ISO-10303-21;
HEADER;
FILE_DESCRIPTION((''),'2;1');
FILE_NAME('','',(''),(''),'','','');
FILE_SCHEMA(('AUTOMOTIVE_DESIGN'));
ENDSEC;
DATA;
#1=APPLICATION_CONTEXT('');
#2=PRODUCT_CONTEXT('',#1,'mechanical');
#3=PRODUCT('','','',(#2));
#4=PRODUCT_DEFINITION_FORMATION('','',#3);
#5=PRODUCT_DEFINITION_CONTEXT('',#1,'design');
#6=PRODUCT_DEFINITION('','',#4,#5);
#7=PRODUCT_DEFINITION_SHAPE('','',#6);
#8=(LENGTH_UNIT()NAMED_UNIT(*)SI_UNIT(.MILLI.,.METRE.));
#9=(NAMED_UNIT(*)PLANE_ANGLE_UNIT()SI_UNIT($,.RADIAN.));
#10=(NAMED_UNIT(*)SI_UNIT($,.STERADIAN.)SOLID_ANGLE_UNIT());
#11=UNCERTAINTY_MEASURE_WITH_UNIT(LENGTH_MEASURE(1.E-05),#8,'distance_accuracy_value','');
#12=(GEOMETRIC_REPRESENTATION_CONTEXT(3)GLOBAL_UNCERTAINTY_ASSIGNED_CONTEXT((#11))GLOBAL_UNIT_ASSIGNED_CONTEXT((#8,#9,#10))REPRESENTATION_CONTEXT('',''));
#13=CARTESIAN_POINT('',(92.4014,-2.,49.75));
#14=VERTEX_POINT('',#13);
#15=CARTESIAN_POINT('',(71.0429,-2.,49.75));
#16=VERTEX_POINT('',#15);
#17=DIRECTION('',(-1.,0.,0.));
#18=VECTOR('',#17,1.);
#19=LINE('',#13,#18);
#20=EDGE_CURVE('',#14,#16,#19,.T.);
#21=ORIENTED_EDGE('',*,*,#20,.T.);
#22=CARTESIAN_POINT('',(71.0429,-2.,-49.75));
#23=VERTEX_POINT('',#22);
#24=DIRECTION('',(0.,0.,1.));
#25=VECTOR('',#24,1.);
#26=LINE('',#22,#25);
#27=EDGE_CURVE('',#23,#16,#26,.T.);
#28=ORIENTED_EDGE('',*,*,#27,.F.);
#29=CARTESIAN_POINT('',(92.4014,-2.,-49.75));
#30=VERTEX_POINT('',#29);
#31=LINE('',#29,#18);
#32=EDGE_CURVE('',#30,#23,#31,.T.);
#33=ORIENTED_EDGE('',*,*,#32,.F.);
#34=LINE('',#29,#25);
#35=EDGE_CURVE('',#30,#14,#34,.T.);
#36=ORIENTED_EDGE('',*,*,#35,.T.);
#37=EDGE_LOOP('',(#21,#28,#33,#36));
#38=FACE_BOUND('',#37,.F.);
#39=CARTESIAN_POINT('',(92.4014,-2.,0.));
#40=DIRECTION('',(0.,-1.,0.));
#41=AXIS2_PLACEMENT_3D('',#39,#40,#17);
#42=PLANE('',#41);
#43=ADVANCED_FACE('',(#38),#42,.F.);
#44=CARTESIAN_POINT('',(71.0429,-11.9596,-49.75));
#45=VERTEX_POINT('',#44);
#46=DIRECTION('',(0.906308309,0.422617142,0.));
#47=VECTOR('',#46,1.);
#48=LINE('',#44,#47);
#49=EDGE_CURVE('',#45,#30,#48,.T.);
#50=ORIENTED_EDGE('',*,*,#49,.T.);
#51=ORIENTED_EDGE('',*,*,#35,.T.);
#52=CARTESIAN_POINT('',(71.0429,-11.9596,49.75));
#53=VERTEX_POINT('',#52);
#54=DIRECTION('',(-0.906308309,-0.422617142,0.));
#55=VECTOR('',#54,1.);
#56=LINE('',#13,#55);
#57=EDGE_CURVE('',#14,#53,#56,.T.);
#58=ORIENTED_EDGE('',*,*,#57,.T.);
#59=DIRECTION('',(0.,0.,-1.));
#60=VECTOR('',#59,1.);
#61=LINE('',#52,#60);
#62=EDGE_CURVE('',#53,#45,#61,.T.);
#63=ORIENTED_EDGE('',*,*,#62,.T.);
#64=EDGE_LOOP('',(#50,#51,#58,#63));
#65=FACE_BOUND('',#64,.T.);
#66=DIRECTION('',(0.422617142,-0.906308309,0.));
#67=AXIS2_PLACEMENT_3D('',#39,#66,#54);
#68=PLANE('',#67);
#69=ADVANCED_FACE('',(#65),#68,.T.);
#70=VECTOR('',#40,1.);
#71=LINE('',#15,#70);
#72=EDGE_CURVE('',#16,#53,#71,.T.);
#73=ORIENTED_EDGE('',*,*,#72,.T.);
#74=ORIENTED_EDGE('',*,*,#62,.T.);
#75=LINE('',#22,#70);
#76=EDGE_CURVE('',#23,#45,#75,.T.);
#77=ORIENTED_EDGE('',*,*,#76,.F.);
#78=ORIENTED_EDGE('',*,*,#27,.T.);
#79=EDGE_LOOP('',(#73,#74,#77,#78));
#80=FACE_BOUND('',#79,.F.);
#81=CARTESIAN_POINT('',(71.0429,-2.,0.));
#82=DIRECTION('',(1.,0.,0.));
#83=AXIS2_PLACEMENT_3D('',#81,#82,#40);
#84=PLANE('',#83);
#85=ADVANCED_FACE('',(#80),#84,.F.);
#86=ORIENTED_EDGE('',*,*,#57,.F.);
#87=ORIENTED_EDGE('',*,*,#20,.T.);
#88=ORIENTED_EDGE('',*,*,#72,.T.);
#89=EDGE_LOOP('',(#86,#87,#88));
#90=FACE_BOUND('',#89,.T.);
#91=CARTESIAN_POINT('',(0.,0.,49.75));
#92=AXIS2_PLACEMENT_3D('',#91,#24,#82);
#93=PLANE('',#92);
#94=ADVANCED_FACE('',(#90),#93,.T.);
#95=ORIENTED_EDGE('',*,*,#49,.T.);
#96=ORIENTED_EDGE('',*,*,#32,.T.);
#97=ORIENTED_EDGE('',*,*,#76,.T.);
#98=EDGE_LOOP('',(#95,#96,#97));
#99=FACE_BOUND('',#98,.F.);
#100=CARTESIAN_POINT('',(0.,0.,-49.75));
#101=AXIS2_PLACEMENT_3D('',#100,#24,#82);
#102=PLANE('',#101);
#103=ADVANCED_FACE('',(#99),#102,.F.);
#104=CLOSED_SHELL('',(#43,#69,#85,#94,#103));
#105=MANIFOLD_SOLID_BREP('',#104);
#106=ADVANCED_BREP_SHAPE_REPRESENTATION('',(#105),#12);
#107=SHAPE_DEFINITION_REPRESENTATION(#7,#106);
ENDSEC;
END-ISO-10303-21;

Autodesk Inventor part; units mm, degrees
ref_plane "YZ Plane" through (0, 0, 0) normal (1, 0, 0) x (0, 1, 0)
ref_plane "XZ Plane" through (0, 0, 0) normal (0, 1, 0) x (-1, 0, 0)
ref_plane "XY Plane" through (0, 0, 0) normal (0, 0, 1) x (1, 0, 0)
ref_plane "Work Plane1" through (0, 0, 0) normal (0, 0, 1) x (1, 0, 0)
sketch "Sketch1" plane through (0, 0, 0) normal (0, 0, 1) x (1, 0, 0)
  line L0 (92.4014, -2) -> (71.0429, -11.9596) projected
  line L1 (71.0429, -11.9596) -> (72.3108, -14.6785) projected
  line L2 (72.3108, -14.6785) -> (99.5, -2) projected
  line L3 (99.5, -2) -> (92.4014, -2) projected
  line L4 (79.5612, -11.2976) -> (78.5047, -9.0318)
  line L5 (82.2802, -10.0297) -> (81.2236, -7.764)
  line L6 (81.4655, -7.0995) -> (81.2236, -7.764)
  line L7 (77.8402, -8.79) -> (78.5047, -9.0318)
  line L8 (92.4014, -2) -> (71.0429, -2)
  line L9 (71.0429, -2) -> (71.0429, -11.9596)
  line L10 (71.0429, -11.9596) -> (53.5429, -42.2705)
  line L11 (53.5429, -42.2705) -> (52.2439, -41.5205)
  line L12 (52.6769, -40.7705) -> (69.7439, -11.2096)
  line L13 (69.7439, -11.2096) -> (71.0429, -11.9596)
  line L14 (71.0429, -11.9596) -> (106.0429, -11.9596) construction
  line L15 (53.5429, -42.2705) -> (42.5429, -42.2705)
  line L16 (42.5429, -42.2705) -> (42.5429, -40.7705)
  line L17 (42.5429, -40.7705) -> (52.6769, -40.7705)
  point P0 (0, 0)
  dimension "d0" = 35
  dimension "d1" = 120
  dimension "d2" = 1.5
  dimension "d3" = 11
  dimension "d4" = 1.5
extrude "Extrusion1" add sketch "Sketch1" along normal mid plane 99.5 contours L0 L9 L8
properties part number "main body blade part"
